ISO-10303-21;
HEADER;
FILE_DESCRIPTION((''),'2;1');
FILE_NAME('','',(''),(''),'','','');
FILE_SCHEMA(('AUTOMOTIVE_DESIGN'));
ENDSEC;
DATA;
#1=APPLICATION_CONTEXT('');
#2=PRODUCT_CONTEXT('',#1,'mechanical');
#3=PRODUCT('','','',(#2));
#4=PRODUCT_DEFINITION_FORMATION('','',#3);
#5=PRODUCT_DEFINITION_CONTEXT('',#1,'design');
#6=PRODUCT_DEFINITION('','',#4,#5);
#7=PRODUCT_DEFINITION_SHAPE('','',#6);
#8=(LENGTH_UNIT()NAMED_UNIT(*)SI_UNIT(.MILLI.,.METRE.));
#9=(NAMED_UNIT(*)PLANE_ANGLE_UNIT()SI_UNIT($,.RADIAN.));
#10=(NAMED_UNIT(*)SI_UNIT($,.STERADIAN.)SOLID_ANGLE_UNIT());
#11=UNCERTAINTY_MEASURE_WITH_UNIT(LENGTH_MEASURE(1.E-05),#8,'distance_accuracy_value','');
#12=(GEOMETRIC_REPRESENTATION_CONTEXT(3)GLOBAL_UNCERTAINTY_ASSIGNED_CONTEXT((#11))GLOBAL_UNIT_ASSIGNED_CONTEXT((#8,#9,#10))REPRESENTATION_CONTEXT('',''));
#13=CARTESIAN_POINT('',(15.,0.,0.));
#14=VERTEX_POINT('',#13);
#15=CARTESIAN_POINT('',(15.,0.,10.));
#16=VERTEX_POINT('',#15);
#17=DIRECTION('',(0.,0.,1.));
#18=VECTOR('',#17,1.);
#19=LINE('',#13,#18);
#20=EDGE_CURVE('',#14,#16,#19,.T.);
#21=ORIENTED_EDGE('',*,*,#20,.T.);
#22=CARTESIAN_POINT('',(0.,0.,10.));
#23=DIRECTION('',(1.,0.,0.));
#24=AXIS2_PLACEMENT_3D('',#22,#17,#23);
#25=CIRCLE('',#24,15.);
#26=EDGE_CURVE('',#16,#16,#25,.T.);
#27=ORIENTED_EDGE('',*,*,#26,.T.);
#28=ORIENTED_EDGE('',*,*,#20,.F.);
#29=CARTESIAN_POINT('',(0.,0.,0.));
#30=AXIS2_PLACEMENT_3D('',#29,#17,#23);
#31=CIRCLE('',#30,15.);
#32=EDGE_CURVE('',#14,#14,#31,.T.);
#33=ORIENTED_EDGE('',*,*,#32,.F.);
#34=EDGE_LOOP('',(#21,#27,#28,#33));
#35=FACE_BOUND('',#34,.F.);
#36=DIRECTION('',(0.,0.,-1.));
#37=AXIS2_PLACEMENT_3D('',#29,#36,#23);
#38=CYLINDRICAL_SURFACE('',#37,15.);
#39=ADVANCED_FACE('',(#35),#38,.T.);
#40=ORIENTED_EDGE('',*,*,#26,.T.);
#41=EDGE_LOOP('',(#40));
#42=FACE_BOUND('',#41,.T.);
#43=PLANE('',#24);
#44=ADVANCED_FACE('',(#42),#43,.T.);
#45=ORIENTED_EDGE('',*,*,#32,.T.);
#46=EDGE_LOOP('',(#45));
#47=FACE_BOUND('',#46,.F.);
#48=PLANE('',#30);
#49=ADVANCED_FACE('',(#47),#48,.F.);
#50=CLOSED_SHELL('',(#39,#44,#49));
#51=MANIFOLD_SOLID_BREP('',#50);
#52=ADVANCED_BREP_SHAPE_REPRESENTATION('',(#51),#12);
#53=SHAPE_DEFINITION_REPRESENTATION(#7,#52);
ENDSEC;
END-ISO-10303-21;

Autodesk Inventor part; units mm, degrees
ref_plane "YZ Plane" through (0, 0, 0) normal (1, 0, 0) x (0, 1, 0)
ref_plane "XZ Plane" through (0, 0, 0) normal (0, 1, 0) x (-1, 0, 0)
ref_plane "XY Plane" through (0, 0, 0) normal (0, 0, 1) x (1, 0, 0)
sketch "Sketch1" plane through (0, 0, 0) normal (0, 0, 1) x (1, 0, 0)
  circle A0 centre (0, 0) radius 44.45
  circle A1 centre (0, 0) radius 41.45
  circle A2 centre (0, 0) radius 600
  circle A3 centre (144.9387, 540.9185) radius 100
  circle A4 centre (-144.9387, 540.9185) radius 100
  circle A5 centre (-395.9798, 395.9798) radius 100
  circle A6 centre (-540.9185, 144.9387) radius 100
  circle A7 centre (-540.9185, -144.9387) radius 100
  circle A8 centre (-395.9798, -395.9798) radius 100
  circle A9 centre (-144.9387, -540.9185) radius 100
  circle A10 centre (144.9387, -540.9185) radius 100
  circle A11 centre (395.9798, -395.9798) radius 100
  circle A12 centre (540.9185, -144.9387) radius 100
  circle A13 centre (230, 398.3717) radius 100
  circle A14 centre (0, 460) radius 100
  circle A15 centre (-230, 398.3717) radius 100
  circle A16 centre (-398.3717, 230) radius 100
  circle A17 centre (-460, 0) radius 100
  circle A18 centre (-398.3717, -230) radius 100
  circle A19 centre (-230, -398.3717) radius 100
  circle A20 centre (0, -460) radius 100
  circle A21 centre (230, -398.3717) radius 100
  circle A22 centre (398.3717, -230) radius 100
  circle A23 centre (-212.132, 212.132) radius 100
  circle A24 centre (-289.7777, 77.6457) radius 100
  circle A25 centre (-289.7777, -77.6457) radius 100
  circle A26 centre (-212.132, -212.132) radius 100
  circle A27 centre (-77.6457, -289.7777) radius 100
  circle A28 centre (77.6457, -289.7777) radius 100
  circle A29 centre (212.132, -212.132) radius 100
  circle A30 centre (289.7777, -77.6457) radius 100
  circle A31 centre (98.9949, 98.9949) radius 100
  circle A32 centre (289.7777, 77.6457) radius 100
  circle A33 centre (212.132, 212.132) radius 100
  circle A34 centre (-98.9949, 98.9949) radius 100
  circle A35 centre (-98.9949, -98.9949) radius 100
  circle A36 centre (98.9949, -98.9949) radius 100
  circle A37 centre (460, 0) radius 100
  circle A38 centre (398.3717, 230) radius 100
  circle A39 centre (77.6457, 289.7777) radius 100
  circle A40 centre (-77.6457, 289.7777) radius 100
  circle A41 centre (540.9185, 144.9387) radius 100
  circle A42 centre (395.9798, 395.9798) radius 100
  line L0 (0, 0) -> (-600, 0) construction
  line L1 (0, 0) -> (-540.9185, 144.9387) construction
  line L2 (-460, 0) -> (0, 0) construction
  line L3 (0, 0) -> (-289.7777, -77.6457) construction
  line L4 (-98.9949, -98.9949) -> (0, 0) construction
  dimension "d2" = 1200
  dimension "d0" = 88.9
  dimension "d1" = 3
  dimension "d5" = 360
  dimension "d9" = 360
  dimension "d11" = 200
  dimension "d14" = 360
  dimension "d18" = 360
  dimension "d20" = 15
  dimension "d21" = 0
  dimension "d22" = 15
  dimension "d23" = 45
  dimension "d24" = 140
  dimension "d25" = 300
  dimension "d26" = 460
  dimension "d27" = 560
sketch "Sketch2" plane through (0, 0, 0) normal (0, 0, 1) x (1, 0, 0)
  point P0 (0, 0)
  point P1 (-98.9949, -98.9949)
  point P2 (98.9949, -98.9949)
  point P3 (98.9949, 98.9949)
  point P4 (-98.9949, 98.9949)
  point P5 (-77.6457, 289.7777)
  point P6 (77.6457, 289.7777)
  point P7 (212.132, 212.132)
  point P8 (289.7777, 77.6457)
  point P9 (289.7777, -77.6457)
  point P10 (212.132, -212.132)
  point P11 (77.6457, -289.7777)
  point P12 (-77.6457, -289.7777)
  point P13 (0, -460)
  point P14 (230, -398.3717)
  point P15 (144.9387, -540.9185)
  point P16 (395.9798, -395.9798)
  point P17 (398.3717, -230)
  point P18 (540.9185, -144.9387)
  point P19 (460, 0)
  point P20 (540.9185, 144.9387)
  point P21 (398.3717, 230)
  point P22 (395.9798, 395.9798)
  point P23 (230, 398.3717)
  point P24 (144.9387, 540.9185)
  point P25 (0, 460)
  point P26 (-144.9387, 540.9185)
  point P27 (-230, 398.3717)
  point P28 (-212.132, 212.132)
  point P29 (-289.7777, 77.6457)
  point P30 (-289.7777, -77.6457)
  point P31 (-212.132, -212.132)
  point P32 (-398.3717, 230)
  point P33 (-395.9798, 395.9798)
  point P34 (-540.9185, 144.9387)
  point P35 (-460, 0)
  point P36 (-540.9185, -144.9387)
  point P37 (-398.3717, -230)
  point P38 (-395.9798, -395.9798)
  point P39 (-230, -398.3717)
  point P40 (-144.9387, -540.9185)
sketch "Sketch3" plane through (0, 0, 0) normal (0, 0, 1) x (1, 0, 0)
  circle A0 centre (0, 0) radius 15
  dimension "d28" = 30
extrude "Extrusion1" add sketch "Sketch3" along normal blind 10
sketch "Sketch4" plane through (0, 0, 0) normal (1, 0, 0) x (0, 1, 0)
  line L0 (606, 2056.7108) -> (600, 2056.7108)
  line L1 (600, 2056.7108) -> (600, 253.2892)
  line L2 (600, 253.2892) -> (606, 253.2892)
  line L3 (606, 253.2892) -> (606, 2056.7108)
  line L4 (0, 253.2892) -> (0, 1462.6576)
  line L5 (606, 253.2892) -> (606, 223.2892)
  arc A0 (552, 134.4973) -> (606, 223.2892) centre (506, 223.2892) ccw
  arc A1 (0, 0) -> (552, 134.4973) centre (0, 1200) ccw
  line L6 (0, 898.5253) -> (0, -391.9469)
  arc A2 (0, 6) -> (549.24, 139.8248) centre (0, 1200) ccw
  arc A3 (549.24, 139.8248) -> (600, 223.2892) centre (506, 223.2892) ccw
  line L7 (600, 223.2892) -> (600, 253.2892)
  line L8 (600, 253.2892) -> (606, 253.2892)
  line L9 (0, 6) -> (0, 0)
  line L10 (600, 2056.7108) -> (600, 2086.7108)
  arc A4 (600, 2086.7108) -> (549.24, 2170.1752) centre (506, 2086.7108) ccw
  arc A5 (549.24, 2170.1752) -> (0, 2304) centre (0, 1110) ccw
  line L11 (0, 2304) -> (0, 2310)
  arc A6 (552, 2175.5027) -> (0, 2310) centre (0, 1110) ccw
  arc A7 (606, 2086.7108) -> (552, 2175.5027) centre (506, 2086.7108) ccw
  line L12 (606, 2086.7108) -> (606, 2056.7108)
  line L13 (0, 2304) -> (0, 6)
  point P0 (0, 0)
  point P1 (600, 253.2892)
  point P2 (603, 253.2892)
  point P3 (0, 253.2892)
  point P4 (0, 253.2892)
  point P5 (0, 3)
  point P6 (0, 0)
  dimension "d31" = 6
  dimension "d32" = 1803.4216
  dimension "d33" = 1200
  dimension "d37" = 100
  dimension "d38" = 30
  dimension "d39" = 1200
  dimension "d40" = 6
  dimension "d41" = 1200
  dimension "d42" = 253.2892
revolve "Revolution1" [suppressed]
equation "\"d32\" = d35 - 2 * d36"
equation "\"d33\" = d34"
equation "\"d39\" = d41"
equation "\"MAIN_filter_diam\" = 1200"
equation "\"MAIN_hight\" = 2310"
equation "\"Accsess_hatch_lenght\" = 120"
equation "\"Accsess_hatch_diameter\" = 530"
equation "\"Charging_hatch_width\" = 400"
equation "\"Charging_hatch_hight\" = 180"
equation "\"Charging_hatch_lenght\" = 120"
equation "\"d35\" = 2310"
equation "\"d36\" = 253.289193"
equation "\"d34\" = 1200"
properties part number "PNS 1701 DIM Filter column D1200"
